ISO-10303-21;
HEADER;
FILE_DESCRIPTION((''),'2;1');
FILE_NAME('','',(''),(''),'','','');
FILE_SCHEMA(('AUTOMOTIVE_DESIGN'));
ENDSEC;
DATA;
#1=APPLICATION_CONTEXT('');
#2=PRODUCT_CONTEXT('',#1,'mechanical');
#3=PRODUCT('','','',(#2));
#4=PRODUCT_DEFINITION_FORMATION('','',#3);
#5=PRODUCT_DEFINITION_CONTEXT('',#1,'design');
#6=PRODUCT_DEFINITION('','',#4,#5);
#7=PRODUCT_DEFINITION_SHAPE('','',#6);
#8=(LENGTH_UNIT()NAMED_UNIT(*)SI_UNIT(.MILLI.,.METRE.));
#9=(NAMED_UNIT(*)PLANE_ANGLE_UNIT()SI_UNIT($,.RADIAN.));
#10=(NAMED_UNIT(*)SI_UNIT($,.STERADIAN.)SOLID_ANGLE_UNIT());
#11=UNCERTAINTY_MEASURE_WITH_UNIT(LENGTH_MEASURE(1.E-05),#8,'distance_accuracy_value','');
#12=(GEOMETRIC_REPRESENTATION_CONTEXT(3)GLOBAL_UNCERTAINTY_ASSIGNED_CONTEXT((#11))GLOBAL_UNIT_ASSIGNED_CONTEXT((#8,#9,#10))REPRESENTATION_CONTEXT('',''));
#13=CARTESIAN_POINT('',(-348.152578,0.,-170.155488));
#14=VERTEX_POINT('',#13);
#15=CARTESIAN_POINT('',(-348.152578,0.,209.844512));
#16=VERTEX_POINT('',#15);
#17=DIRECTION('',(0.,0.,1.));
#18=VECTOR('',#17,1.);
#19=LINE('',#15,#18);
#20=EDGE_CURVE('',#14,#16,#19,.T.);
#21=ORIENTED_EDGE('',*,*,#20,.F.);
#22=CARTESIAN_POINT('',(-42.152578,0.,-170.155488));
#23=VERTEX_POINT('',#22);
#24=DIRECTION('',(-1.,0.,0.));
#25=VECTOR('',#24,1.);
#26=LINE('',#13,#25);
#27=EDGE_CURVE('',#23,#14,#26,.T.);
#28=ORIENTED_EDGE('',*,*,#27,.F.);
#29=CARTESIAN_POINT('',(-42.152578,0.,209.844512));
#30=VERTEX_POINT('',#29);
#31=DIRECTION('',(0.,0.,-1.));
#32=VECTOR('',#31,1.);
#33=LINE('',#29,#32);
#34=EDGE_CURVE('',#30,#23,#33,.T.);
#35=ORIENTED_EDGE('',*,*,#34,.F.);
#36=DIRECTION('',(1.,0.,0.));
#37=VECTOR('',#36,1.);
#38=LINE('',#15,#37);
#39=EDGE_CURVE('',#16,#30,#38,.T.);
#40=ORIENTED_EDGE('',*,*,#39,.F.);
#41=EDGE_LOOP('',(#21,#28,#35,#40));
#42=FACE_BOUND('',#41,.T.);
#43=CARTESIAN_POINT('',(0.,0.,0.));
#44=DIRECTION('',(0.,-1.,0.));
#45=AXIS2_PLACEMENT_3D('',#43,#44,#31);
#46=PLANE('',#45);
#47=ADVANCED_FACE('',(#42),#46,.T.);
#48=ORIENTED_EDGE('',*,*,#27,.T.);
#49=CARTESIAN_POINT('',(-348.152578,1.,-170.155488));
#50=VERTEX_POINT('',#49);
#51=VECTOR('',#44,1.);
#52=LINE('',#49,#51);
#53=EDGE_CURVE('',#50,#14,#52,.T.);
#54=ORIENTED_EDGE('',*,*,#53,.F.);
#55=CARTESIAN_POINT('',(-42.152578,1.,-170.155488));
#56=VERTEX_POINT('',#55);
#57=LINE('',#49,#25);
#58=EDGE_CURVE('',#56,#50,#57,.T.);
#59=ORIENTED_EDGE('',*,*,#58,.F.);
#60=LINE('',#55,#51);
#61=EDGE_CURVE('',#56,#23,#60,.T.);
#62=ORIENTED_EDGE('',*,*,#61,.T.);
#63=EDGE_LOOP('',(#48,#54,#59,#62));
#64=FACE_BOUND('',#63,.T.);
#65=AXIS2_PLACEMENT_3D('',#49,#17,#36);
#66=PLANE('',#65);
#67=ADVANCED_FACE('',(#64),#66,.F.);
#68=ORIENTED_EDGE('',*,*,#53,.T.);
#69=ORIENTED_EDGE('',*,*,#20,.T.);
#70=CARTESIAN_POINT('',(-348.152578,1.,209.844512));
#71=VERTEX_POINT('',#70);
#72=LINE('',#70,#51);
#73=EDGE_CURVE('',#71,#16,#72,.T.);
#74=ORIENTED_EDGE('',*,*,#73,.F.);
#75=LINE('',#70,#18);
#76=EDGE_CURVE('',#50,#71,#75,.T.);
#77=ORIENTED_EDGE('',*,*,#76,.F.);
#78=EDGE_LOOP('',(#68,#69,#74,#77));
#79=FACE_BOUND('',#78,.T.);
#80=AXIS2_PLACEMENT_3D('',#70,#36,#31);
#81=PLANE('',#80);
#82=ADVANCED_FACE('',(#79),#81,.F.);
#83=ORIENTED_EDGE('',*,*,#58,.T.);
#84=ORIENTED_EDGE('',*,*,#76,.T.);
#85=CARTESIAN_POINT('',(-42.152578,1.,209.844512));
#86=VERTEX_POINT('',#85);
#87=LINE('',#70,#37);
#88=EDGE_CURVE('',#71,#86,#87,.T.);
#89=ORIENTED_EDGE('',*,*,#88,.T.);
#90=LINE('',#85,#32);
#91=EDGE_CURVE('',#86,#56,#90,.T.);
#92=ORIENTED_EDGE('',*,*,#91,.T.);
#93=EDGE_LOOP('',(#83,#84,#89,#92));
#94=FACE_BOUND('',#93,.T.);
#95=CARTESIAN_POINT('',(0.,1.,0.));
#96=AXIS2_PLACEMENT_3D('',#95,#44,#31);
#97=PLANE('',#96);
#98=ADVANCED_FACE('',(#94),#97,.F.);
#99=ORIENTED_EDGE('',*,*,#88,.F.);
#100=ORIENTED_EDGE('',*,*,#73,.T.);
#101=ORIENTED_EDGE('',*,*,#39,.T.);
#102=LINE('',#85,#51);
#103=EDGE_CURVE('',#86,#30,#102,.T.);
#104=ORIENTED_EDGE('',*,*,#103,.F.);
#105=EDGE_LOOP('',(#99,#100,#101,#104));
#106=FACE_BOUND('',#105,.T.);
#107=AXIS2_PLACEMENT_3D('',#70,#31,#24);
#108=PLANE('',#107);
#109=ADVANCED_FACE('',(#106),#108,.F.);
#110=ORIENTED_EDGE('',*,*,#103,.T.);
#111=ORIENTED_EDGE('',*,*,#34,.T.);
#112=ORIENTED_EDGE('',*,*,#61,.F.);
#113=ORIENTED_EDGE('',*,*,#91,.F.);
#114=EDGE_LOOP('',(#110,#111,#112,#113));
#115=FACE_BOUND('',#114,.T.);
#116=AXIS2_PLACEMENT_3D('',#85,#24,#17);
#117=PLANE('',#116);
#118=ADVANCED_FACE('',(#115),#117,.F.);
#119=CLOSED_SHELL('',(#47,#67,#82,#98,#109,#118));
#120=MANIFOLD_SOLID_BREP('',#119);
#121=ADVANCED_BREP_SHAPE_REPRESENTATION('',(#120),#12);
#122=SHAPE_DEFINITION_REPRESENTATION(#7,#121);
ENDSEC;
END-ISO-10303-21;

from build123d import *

# Parameters (mm, degrees)
SKETCH1_W           = 306
SKETCH1_H           = 380
BOSS_EXTRUDE1_DEPTH = 1


with BuildPart() as part:
    # Sketch1 → Boss-Extrude1 (new body)
    with BuildSketch(Plane(origin=(0, 0, 0), x_dir=(1, 0, 0), z_dir=(0, 1, 0))):
        with Locations((-195.152577929, -19.84451151)):
            Rectangle(SKETCH1_W, SKETCH1_H)
    extrude(amount=BOSS_EXTRUDE1_DEPTH)


solid = part.part
